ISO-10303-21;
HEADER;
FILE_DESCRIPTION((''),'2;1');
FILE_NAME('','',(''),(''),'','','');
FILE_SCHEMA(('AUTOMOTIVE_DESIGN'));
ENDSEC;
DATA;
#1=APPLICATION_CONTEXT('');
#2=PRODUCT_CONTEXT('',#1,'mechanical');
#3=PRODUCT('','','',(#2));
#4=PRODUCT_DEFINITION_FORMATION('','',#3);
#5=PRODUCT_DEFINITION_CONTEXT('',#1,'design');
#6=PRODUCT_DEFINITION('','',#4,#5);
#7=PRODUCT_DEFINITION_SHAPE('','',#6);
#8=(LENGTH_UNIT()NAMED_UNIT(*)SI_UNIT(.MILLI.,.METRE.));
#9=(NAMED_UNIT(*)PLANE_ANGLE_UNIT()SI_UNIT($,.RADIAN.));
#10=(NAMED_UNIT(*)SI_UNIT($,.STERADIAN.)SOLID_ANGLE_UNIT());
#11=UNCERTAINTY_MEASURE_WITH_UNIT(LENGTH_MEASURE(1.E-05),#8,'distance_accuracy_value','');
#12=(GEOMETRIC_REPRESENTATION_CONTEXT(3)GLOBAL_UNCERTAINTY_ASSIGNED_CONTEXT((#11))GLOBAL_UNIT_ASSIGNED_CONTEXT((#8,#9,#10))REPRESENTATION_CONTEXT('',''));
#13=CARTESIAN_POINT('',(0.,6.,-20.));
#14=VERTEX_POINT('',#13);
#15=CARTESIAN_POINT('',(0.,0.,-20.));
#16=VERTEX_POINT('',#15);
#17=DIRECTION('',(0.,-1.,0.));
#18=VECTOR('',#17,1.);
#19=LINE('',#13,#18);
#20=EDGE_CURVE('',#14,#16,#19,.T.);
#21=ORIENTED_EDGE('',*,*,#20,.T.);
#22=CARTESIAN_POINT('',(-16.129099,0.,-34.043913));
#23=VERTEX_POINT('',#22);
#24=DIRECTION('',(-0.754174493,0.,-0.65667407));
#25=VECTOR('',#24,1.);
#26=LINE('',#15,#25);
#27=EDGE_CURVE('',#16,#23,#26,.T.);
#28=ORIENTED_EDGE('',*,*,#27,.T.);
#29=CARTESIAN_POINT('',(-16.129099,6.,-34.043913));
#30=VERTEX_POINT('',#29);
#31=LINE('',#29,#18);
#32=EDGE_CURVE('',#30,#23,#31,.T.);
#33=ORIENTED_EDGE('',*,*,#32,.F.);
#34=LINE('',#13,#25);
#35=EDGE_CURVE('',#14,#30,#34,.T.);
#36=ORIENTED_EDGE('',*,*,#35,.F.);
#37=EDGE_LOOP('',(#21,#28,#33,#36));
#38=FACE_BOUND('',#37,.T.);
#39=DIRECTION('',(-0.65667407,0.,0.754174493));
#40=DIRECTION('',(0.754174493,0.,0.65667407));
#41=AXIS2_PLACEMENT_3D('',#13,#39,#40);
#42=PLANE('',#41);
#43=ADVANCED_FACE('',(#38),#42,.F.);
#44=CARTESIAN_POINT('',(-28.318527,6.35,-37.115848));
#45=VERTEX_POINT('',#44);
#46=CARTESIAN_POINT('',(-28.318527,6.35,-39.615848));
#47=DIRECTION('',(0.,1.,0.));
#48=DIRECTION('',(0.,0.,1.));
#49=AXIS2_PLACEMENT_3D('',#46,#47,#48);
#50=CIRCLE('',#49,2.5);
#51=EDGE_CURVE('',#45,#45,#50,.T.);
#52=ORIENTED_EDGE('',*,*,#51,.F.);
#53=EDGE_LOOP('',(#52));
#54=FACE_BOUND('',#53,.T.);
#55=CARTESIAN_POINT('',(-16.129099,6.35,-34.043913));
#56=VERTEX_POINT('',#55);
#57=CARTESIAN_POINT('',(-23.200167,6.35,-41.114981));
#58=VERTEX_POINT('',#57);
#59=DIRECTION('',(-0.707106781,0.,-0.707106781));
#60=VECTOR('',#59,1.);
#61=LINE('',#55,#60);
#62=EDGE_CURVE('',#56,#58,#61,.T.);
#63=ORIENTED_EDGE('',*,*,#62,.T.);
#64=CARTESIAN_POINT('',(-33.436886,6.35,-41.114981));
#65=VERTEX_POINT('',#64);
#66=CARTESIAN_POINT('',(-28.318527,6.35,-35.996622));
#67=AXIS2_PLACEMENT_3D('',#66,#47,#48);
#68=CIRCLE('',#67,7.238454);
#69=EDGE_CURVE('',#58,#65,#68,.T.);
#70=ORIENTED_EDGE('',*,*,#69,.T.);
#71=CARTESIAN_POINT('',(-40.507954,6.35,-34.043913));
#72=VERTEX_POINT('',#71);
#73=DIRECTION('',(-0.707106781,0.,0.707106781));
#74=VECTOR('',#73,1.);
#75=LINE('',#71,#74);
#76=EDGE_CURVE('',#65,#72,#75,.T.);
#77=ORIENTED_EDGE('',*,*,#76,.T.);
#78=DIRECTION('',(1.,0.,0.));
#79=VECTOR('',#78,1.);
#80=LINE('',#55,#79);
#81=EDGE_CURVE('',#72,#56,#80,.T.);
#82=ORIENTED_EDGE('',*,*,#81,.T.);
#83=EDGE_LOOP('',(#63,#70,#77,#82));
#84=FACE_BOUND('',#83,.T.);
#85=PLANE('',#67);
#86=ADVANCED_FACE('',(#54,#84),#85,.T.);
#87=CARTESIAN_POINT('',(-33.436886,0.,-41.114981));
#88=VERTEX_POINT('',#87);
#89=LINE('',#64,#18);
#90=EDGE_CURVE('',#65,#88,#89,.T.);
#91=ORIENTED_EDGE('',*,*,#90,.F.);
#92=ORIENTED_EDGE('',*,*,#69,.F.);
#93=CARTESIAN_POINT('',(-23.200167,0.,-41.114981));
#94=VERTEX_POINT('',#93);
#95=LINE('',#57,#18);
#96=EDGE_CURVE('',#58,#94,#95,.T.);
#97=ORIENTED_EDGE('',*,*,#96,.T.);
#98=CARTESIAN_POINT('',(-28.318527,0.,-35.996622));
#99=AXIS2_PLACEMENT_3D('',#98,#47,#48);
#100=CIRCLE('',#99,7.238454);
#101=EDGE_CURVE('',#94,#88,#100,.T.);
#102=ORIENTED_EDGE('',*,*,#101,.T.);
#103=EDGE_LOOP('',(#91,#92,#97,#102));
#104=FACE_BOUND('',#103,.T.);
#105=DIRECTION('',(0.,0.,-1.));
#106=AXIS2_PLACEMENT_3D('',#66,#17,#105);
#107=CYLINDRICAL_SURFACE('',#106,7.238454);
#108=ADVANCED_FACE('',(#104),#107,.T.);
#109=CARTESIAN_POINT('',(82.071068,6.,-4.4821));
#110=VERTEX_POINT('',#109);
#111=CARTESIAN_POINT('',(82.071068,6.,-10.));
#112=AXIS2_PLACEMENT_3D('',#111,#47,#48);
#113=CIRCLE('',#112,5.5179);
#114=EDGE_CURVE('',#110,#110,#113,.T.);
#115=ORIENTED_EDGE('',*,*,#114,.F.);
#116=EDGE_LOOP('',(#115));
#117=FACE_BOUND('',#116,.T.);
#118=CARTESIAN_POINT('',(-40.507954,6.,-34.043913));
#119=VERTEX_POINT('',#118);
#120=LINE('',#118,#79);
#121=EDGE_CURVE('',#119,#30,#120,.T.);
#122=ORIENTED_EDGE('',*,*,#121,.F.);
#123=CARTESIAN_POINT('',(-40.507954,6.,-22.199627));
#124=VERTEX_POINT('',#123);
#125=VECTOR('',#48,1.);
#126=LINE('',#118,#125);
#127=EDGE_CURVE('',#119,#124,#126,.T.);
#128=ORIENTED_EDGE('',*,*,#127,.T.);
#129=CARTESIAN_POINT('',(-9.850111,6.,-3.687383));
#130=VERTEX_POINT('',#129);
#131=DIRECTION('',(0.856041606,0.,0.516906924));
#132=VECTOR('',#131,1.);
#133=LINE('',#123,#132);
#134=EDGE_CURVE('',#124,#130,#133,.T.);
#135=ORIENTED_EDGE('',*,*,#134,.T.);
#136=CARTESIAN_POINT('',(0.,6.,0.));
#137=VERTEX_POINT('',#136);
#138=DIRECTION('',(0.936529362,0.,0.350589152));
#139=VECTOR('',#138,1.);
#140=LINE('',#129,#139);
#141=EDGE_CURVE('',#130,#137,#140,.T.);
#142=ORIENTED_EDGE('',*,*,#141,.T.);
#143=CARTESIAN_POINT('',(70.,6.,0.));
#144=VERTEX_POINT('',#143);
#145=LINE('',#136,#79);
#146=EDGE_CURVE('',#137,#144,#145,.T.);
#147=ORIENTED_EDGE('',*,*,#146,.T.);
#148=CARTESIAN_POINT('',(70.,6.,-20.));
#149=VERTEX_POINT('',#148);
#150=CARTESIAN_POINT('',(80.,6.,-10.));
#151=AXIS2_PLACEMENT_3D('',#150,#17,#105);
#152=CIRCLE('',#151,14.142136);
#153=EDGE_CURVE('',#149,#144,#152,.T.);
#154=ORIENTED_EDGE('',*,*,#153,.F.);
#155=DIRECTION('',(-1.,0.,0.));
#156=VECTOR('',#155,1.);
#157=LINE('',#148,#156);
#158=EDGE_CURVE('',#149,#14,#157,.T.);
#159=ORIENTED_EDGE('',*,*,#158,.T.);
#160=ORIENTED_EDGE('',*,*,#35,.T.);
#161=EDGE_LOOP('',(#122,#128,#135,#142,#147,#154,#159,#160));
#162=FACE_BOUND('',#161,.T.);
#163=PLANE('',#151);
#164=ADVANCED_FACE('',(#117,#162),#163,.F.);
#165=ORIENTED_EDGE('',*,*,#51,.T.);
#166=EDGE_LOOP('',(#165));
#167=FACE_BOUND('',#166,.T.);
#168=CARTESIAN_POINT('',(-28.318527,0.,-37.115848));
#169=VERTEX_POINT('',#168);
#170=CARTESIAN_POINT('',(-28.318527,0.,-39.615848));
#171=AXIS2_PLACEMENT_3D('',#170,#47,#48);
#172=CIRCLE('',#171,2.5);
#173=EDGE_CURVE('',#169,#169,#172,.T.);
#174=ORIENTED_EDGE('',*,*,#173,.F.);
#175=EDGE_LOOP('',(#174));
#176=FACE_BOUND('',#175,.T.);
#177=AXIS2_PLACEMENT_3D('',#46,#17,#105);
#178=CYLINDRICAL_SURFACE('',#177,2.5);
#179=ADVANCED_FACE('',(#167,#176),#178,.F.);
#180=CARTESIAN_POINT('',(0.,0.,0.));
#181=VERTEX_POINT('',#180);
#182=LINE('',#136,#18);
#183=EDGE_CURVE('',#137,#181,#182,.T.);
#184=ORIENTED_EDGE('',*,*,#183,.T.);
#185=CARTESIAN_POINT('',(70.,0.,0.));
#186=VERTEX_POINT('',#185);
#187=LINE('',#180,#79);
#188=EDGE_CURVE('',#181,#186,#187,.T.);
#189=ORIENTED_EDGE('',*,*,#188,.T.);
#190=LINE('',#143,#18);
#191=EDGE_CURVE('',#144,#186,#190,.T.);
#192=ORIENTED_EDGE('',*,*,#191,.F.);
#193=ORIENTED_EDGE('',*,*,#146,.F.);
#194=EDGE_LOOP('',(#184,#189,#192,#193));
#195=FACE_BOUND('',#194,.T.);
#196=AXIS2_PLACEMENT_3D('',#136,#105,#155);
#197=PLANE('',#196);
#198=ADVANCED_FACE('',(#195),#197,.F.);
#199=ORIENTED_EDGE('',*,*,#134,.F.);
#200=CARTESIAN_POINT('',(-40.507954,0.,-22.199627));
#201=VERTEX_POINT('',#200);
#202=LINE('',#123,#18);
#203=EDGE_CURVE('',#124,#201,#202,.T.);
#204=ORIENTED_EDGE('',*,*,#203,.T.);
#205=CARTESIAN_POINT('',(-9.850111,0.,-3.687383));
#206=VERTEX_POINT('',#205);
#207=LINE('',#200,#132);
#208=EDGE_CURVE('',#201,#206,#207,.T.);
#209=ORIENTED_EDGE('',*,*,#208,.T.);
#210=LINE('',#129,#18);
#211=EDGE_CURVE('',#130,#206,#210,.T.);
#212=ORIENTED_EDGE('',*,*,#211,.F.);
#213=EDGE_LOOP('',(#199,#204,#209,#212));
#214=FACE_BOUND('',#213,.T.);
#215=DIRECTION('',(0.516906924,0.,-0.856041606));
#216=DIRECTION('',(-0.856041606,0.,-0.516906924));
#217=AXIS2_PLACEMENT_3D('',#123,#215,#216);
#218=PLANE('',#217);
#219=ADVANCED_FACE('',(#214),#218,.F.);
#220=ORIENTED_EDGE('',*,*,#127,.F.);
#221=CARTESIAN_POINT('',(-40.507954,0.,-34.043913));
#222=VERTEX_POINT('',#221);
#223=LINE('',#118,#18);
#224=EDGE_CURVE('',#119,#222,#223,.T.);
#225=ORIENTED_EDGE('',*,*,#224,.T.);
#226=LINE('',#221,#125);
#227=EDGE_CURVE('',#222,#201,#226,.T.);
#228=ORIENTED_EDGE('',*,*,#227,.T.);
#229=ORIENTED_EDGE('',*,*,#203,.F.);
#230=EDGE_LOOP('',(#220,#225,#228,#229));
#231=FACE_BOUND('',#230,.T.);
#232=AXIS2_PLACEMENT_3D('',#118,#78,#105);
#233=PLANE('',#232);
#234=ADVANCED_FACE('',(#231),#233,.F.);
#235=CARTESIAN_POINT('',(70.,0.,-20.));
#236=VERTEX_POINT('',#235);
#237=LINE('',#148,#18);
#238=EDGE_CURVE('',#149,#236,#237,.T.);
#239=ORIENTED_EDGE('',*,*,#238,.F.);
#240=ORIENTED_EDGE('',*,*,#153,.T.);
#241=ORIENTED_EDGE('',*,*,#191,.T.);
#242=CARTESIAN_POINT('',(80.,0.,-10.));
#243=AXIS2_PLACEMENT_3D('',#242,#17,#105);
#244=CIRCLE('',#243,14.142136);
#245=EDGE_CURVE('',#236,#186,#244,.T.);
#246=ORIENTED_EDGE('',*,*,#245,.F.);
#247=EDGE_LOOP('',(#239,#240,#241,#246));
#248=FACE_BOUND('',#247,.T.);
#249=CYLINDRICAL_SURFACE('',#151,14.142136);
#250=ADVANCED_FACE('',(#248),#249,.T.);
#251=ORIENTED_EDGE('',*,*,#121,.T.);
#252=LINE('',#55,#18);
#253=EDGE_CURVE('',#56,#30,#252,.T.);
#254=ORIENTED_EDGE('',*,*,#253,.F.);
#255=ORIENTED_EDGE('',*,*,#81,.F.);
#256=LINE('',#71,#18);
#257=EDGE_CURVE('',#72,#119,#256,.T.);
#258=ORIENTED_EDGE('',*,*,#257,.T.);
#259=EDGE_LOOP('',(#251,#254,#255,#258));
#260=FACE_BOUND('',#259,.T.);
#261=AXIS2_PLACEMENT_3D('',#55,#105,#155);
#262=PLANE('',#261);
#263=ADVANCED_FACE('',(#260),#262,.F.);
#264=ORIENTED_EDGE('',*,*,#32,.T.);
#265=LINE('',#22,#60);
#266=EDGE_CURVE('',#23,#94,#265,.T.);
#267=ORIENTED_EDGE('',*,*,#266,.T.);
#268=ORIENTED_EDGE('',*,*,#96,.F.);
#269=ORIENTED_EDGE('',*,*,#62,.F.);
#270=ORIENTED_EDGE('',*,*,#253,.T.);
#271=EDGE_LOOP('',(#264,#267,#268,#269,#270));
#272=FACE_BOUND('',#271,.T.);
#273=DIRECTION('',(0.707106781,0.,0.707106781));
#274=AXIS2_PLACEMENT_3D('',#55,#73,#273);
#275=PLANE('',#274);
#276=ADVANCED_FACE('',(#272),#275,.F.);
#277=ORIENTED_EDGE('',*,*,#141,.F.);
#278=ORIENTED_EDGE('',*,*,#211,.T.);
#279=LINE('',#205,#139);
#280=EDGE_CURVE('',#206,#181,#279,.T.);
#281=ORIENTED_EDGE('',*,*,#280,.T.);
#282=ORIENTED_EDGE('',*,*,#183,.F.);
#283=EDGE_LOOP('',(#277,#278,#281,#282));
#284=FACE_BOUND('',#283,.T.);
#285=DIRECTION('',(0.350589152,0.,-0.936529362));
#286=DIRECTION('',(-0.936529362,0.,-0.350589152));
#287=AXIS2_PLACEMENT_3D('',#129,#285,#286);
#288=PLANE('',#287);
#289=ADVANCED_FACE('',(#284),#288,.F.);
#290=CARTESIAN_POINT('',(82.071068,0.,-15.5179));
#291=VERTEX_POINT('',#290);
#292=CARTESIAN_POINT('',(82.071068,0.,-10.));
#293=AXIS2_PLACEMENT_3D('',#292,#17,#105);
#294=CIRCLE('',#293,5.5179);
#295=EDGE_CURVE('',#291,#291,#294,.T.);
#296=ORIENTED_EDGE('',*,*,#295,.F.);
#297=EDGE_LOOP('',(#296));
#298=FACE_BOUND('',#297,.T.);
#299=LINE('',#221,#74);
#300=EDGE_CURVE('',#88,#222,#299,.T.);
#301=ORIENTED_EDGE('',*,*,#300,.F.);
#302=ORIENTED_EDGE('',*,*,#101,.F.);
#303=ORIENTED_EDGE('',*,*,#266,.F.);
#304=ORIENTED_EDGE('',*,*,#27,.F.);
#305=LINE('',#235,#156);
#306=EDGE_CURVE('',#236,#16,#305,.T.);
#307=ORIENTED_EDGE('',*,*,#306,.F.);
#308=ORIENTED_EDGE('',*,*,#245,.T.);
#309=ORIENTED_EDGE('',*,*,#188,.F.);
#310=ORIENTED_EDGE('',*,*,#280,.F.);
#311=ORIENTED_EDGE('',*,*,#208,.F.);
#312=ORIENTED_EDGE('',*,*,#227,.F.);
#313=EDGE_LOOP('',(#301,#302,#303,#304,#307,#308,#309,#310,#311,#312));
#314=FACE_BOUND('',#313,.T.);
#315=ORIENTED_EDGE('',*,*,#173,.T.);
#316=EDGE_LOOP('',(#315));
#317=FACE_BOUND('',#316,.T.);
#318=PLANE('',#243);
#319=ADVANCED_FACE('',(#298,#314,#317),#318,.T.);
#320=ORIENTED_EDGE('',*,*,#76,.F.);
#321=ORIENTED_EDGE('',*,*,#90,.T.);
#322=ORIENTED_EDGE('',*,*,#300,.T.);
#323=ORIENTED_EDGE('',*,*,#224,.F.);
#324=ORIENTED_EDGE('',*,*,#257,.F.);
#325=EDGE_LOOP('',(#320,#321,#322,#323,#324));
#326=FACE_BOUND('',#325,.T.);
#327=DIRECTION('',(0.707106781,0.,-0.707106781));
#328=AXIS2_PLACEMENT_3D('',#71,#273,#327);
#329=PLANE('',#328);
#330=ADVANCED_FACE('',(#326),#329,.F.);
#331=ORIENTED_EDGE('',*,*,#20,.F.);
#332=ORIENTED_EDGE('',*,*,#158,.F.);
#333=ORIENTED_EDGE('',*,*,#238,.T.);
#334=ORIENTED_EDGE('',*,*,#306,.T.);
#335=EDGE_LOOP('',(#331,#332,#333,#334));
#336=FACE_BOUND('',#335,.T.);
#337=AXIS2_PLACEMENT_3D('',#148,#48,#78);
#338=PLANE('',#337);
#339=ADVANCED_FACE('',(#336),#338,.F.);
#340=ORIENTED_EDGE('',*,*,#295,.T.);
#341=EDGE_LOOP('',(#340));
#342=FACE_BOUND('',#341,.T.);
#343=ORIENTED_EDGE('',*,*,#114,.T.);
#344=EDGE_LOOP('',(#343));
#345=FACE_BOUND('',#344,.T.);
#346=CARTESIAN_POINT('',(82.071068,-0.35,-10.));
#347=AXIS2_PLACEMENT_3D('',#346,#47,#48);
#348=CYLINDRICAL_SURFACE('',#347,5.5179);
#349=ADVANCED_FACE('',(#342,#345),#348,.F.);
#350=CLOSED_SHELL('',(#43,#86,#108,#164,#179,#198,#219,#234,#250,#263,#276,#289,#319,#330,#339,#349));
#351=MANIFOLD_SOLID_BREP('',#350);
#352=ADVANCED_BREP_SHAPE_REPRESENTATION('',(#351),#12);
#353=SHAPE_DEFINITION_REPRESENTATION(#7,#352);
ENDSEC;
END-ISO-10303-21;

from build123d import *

# Parameters (mm, degrees)
BOSS_EXTRUDE1_DEPTH = 6
SKETCH2_R           = 5.5179
CUT_EXTRUDE1_DEPTH  = 6.35
SKETCH4_R           = 2.5
BOSS_EXTRUDE2_DEPTH = 6.35


with BuildPart() as part:
    # Sketch1 → Boss-Extrude1 (new body)
    with BuildSketch(Plane(origin=(0, 0, 0), x_dir=(1, 0, 0), z_dir=(0, 1, 0))):
        with BuildLine():
            Line((0, 0), (70, 0))
            ThreePointArc((70, 0), (94.142135624, 10), (70, 20))
            Line((70, 20), (0, 20))
            Line((0, 20), (-16.12909928, 34.043913387))
            Line((-16.12909928, 34.043913387), (-40.507954262, 34.043913387))
            Line((-40.507954262, 34.043913387), (-40.507954262, 22.199626998))
            Line((-40.507954262, 22.199626998), (-9.850111043, 3.6873826))
            Line((-9.850111043, 3.6873826), (0, 0))
        make_face()
    extrude(amount=BOSS_EXTRUDE1_DEPTH)

    # Sketch2 → Cut-Extrude1 (cut)
    with BuildSketch(Plane(origin=(0, 6, 0), x_dir=(1, 0, 0), z_dir=(0, 1, 0))):
        with Locations((82.071067812, 10)):
            Circle(SKETCH2_R)
    extrude(amount=-CUT_EXTRUDE1_DEPTH, mode=Mode.SUBTRACT)

    # Sketch4 → Boss-Extrude2 (add)
    with BuildSketch(Plane(origin=(0, 0, 0), x_dir=(1, 0, 0), z_dir=(0, 1, 0))):
        with BuildLine():
            Line((-16.12909928, 34.043913387), (-23.200167092, 41.114981199))
            ThreePointArc((-23.200167092, 41.114981199), (-28.318526771, 43.235075195), (-33.436886451, 41.114981199))
            Line((-33.436886451, 41.114981199), (-40.507954262, 34.043913387))
            Line((-40.507954262, 34.043913387), (-16.12909928, 34.043913387))
        make_face()
        with Locations((-28.318526771, 39.615848358)):
            Circle(SKETCH4_R, mode=Mode.SUBTRACT)
    extrude(amount=BOSS_EXTRUDE2_DEPTH)


solid = part.part
